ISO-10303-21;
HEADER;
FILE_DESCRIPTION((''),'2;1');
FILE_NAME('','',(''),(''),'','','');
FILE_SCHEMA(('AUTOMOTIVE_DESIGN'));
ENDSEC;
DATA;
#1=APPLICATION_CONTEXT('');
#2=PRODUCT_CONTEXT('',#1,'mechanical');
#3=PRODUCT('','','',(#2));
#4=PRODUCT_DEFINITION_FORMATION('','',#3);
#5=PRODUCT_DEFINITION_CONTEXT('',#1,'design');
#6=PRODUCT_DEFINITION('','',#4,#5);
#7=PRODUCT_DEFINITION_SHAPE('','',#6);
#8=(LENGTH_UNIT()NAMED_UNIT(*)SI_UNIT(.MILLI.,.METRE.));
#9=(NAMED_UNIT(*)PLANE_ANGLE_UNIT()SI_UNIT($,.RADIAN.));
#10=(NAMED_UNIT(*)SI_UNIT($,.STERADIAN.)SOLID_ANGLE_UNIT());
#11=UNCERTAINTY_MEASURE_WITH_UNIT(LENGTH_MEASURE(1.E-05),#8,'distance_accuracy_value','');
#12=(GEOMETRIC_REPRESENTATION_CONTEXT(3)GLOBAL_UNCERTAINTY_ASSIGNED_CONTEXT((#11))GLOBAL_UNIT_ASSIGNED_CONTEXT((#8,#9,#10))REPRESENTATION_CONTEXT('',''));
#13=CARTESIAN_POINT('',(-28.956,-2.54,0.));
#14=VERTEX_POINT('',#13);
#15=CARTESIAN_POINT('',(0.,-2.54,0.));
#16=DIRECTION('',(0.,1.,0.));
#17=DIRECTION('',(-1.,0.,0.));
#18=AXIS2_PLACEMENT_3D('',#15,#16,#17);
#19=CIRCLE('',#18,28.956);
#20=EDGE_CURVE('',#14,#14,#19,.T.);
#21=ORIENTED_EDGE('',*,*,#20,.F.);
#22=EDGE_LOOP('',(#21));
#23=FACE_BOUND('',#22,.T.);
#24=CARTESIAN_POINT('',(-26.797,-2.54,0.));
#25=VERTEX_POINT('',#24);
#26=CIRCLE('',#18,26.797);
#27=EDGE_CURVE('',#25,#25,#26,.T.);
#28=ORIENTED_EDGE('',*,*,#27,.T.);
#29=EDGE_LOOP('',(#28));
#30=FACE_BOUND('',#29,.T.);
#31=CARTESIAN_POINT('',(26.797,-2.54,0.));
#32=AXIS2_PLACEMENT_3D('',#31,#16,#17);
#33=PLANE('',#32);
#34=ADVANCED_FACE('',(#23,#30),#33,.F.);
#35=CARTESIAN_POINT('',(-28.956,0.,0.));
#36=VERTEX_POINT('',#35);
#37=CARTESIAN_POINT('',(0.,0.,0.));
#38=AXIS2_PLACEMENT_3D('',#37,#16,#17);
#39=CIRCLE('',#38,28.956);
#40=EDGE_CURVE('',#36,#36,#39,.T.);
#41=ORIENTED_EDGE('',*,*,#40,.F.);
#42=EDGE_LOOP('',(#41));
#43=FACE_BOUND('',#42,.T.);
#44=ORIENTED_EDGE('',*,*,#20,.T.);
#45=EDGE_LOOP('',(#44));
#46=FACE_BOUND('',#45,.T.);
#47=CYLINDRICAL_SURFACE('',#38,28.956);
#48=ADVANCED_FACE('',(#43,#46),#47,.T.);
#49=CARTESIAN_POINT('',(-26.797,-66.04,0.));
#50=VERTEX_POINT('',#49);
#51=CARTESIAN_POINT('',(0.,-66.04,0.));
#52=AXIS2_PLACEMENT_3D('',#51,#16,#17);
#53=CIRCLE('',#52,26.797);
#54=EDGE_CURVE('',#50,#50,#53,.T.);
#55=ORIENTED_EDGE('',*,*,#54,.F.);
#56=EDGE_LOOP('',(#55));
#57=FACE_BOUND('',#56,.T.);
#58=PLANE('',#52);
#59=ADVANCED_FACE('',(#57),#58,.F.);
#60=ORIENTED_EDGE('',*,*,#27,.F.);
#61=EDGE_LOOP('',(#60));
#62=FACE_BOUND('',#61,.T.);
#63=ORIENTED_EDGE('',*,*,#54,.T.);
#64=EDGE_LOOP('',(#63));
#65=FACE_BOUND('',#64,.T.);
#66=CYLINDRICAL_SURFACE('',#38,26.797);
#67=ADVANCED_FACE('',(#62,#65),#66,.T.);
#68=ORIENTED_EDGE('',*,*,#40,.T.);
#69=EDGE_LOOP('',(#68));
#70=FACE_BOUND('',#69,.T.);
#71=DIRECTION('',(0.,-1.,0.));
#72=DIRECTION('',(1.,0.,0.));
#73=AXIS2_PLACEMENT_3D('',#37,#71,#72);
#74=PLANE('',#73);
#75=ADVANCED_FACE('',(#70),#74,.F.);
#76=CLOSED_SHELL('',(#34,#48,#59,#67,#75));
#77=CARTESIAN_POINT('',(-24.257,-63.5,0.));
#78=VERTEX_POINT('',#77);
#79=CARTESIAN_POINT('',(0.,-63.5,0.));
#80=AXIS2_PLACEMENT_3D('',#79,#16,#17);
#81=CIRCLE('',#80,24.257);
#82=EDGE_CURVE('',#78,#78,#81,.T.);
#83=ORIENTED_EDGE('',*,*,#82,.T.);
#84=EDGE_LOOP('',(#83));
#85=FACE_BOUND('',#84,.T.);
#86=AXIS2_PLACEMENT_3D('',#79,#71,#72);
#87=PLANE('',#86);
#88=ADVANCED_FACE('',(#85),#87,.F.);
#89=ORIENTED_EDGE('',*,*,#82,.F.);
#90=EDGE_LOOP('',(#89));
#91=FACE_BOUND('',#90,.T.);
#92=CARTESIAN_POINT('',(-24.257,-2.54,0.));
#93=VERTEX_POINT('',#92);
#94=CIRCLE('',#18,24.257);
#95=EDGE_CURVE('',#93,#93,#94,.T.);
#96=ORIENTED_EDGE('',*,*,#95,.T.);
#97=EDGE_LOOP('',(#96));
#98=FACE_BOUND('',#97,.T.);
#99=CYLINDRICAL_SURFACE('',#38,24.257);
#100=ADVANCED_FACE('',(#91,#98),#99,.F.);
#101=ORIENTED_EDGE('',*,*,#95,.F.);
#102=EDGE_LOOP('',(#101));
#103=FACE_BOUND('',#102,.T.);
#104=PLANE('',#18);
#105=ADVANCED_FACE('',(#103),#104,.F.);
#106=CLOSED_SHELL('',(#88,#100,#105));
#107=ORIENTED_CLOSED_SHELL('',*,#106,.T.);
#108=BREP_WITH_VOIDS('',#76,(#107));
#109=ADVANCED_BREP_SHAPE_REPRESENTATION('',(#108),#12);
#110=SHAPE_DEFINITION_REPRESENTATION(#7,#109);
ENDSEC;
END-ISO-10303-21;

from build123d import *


with BuildPart() as part:
    # Sketch1 → Revolve1 (revolve)
    with BuildSketch(Plane.XY, mode=Mode.PRIVATE) as revolve1_sk:
        Polygon((0, 0), (28.956, 0), (28.956, -2.54), (26.797, -2.54), (26.797, -66.04), (0, -66.04), (0, -63.5), (24.257, -63.5), (24.257, -2.54), (0, -2.54), align=None)
    revolve(revolve1_sk.sketch.rotate(Axis((0, 0, 0), (0, -1, 0)), 180), axis=Axis((0, 0, 0), (0, -1, 0)))


solid = part.part
